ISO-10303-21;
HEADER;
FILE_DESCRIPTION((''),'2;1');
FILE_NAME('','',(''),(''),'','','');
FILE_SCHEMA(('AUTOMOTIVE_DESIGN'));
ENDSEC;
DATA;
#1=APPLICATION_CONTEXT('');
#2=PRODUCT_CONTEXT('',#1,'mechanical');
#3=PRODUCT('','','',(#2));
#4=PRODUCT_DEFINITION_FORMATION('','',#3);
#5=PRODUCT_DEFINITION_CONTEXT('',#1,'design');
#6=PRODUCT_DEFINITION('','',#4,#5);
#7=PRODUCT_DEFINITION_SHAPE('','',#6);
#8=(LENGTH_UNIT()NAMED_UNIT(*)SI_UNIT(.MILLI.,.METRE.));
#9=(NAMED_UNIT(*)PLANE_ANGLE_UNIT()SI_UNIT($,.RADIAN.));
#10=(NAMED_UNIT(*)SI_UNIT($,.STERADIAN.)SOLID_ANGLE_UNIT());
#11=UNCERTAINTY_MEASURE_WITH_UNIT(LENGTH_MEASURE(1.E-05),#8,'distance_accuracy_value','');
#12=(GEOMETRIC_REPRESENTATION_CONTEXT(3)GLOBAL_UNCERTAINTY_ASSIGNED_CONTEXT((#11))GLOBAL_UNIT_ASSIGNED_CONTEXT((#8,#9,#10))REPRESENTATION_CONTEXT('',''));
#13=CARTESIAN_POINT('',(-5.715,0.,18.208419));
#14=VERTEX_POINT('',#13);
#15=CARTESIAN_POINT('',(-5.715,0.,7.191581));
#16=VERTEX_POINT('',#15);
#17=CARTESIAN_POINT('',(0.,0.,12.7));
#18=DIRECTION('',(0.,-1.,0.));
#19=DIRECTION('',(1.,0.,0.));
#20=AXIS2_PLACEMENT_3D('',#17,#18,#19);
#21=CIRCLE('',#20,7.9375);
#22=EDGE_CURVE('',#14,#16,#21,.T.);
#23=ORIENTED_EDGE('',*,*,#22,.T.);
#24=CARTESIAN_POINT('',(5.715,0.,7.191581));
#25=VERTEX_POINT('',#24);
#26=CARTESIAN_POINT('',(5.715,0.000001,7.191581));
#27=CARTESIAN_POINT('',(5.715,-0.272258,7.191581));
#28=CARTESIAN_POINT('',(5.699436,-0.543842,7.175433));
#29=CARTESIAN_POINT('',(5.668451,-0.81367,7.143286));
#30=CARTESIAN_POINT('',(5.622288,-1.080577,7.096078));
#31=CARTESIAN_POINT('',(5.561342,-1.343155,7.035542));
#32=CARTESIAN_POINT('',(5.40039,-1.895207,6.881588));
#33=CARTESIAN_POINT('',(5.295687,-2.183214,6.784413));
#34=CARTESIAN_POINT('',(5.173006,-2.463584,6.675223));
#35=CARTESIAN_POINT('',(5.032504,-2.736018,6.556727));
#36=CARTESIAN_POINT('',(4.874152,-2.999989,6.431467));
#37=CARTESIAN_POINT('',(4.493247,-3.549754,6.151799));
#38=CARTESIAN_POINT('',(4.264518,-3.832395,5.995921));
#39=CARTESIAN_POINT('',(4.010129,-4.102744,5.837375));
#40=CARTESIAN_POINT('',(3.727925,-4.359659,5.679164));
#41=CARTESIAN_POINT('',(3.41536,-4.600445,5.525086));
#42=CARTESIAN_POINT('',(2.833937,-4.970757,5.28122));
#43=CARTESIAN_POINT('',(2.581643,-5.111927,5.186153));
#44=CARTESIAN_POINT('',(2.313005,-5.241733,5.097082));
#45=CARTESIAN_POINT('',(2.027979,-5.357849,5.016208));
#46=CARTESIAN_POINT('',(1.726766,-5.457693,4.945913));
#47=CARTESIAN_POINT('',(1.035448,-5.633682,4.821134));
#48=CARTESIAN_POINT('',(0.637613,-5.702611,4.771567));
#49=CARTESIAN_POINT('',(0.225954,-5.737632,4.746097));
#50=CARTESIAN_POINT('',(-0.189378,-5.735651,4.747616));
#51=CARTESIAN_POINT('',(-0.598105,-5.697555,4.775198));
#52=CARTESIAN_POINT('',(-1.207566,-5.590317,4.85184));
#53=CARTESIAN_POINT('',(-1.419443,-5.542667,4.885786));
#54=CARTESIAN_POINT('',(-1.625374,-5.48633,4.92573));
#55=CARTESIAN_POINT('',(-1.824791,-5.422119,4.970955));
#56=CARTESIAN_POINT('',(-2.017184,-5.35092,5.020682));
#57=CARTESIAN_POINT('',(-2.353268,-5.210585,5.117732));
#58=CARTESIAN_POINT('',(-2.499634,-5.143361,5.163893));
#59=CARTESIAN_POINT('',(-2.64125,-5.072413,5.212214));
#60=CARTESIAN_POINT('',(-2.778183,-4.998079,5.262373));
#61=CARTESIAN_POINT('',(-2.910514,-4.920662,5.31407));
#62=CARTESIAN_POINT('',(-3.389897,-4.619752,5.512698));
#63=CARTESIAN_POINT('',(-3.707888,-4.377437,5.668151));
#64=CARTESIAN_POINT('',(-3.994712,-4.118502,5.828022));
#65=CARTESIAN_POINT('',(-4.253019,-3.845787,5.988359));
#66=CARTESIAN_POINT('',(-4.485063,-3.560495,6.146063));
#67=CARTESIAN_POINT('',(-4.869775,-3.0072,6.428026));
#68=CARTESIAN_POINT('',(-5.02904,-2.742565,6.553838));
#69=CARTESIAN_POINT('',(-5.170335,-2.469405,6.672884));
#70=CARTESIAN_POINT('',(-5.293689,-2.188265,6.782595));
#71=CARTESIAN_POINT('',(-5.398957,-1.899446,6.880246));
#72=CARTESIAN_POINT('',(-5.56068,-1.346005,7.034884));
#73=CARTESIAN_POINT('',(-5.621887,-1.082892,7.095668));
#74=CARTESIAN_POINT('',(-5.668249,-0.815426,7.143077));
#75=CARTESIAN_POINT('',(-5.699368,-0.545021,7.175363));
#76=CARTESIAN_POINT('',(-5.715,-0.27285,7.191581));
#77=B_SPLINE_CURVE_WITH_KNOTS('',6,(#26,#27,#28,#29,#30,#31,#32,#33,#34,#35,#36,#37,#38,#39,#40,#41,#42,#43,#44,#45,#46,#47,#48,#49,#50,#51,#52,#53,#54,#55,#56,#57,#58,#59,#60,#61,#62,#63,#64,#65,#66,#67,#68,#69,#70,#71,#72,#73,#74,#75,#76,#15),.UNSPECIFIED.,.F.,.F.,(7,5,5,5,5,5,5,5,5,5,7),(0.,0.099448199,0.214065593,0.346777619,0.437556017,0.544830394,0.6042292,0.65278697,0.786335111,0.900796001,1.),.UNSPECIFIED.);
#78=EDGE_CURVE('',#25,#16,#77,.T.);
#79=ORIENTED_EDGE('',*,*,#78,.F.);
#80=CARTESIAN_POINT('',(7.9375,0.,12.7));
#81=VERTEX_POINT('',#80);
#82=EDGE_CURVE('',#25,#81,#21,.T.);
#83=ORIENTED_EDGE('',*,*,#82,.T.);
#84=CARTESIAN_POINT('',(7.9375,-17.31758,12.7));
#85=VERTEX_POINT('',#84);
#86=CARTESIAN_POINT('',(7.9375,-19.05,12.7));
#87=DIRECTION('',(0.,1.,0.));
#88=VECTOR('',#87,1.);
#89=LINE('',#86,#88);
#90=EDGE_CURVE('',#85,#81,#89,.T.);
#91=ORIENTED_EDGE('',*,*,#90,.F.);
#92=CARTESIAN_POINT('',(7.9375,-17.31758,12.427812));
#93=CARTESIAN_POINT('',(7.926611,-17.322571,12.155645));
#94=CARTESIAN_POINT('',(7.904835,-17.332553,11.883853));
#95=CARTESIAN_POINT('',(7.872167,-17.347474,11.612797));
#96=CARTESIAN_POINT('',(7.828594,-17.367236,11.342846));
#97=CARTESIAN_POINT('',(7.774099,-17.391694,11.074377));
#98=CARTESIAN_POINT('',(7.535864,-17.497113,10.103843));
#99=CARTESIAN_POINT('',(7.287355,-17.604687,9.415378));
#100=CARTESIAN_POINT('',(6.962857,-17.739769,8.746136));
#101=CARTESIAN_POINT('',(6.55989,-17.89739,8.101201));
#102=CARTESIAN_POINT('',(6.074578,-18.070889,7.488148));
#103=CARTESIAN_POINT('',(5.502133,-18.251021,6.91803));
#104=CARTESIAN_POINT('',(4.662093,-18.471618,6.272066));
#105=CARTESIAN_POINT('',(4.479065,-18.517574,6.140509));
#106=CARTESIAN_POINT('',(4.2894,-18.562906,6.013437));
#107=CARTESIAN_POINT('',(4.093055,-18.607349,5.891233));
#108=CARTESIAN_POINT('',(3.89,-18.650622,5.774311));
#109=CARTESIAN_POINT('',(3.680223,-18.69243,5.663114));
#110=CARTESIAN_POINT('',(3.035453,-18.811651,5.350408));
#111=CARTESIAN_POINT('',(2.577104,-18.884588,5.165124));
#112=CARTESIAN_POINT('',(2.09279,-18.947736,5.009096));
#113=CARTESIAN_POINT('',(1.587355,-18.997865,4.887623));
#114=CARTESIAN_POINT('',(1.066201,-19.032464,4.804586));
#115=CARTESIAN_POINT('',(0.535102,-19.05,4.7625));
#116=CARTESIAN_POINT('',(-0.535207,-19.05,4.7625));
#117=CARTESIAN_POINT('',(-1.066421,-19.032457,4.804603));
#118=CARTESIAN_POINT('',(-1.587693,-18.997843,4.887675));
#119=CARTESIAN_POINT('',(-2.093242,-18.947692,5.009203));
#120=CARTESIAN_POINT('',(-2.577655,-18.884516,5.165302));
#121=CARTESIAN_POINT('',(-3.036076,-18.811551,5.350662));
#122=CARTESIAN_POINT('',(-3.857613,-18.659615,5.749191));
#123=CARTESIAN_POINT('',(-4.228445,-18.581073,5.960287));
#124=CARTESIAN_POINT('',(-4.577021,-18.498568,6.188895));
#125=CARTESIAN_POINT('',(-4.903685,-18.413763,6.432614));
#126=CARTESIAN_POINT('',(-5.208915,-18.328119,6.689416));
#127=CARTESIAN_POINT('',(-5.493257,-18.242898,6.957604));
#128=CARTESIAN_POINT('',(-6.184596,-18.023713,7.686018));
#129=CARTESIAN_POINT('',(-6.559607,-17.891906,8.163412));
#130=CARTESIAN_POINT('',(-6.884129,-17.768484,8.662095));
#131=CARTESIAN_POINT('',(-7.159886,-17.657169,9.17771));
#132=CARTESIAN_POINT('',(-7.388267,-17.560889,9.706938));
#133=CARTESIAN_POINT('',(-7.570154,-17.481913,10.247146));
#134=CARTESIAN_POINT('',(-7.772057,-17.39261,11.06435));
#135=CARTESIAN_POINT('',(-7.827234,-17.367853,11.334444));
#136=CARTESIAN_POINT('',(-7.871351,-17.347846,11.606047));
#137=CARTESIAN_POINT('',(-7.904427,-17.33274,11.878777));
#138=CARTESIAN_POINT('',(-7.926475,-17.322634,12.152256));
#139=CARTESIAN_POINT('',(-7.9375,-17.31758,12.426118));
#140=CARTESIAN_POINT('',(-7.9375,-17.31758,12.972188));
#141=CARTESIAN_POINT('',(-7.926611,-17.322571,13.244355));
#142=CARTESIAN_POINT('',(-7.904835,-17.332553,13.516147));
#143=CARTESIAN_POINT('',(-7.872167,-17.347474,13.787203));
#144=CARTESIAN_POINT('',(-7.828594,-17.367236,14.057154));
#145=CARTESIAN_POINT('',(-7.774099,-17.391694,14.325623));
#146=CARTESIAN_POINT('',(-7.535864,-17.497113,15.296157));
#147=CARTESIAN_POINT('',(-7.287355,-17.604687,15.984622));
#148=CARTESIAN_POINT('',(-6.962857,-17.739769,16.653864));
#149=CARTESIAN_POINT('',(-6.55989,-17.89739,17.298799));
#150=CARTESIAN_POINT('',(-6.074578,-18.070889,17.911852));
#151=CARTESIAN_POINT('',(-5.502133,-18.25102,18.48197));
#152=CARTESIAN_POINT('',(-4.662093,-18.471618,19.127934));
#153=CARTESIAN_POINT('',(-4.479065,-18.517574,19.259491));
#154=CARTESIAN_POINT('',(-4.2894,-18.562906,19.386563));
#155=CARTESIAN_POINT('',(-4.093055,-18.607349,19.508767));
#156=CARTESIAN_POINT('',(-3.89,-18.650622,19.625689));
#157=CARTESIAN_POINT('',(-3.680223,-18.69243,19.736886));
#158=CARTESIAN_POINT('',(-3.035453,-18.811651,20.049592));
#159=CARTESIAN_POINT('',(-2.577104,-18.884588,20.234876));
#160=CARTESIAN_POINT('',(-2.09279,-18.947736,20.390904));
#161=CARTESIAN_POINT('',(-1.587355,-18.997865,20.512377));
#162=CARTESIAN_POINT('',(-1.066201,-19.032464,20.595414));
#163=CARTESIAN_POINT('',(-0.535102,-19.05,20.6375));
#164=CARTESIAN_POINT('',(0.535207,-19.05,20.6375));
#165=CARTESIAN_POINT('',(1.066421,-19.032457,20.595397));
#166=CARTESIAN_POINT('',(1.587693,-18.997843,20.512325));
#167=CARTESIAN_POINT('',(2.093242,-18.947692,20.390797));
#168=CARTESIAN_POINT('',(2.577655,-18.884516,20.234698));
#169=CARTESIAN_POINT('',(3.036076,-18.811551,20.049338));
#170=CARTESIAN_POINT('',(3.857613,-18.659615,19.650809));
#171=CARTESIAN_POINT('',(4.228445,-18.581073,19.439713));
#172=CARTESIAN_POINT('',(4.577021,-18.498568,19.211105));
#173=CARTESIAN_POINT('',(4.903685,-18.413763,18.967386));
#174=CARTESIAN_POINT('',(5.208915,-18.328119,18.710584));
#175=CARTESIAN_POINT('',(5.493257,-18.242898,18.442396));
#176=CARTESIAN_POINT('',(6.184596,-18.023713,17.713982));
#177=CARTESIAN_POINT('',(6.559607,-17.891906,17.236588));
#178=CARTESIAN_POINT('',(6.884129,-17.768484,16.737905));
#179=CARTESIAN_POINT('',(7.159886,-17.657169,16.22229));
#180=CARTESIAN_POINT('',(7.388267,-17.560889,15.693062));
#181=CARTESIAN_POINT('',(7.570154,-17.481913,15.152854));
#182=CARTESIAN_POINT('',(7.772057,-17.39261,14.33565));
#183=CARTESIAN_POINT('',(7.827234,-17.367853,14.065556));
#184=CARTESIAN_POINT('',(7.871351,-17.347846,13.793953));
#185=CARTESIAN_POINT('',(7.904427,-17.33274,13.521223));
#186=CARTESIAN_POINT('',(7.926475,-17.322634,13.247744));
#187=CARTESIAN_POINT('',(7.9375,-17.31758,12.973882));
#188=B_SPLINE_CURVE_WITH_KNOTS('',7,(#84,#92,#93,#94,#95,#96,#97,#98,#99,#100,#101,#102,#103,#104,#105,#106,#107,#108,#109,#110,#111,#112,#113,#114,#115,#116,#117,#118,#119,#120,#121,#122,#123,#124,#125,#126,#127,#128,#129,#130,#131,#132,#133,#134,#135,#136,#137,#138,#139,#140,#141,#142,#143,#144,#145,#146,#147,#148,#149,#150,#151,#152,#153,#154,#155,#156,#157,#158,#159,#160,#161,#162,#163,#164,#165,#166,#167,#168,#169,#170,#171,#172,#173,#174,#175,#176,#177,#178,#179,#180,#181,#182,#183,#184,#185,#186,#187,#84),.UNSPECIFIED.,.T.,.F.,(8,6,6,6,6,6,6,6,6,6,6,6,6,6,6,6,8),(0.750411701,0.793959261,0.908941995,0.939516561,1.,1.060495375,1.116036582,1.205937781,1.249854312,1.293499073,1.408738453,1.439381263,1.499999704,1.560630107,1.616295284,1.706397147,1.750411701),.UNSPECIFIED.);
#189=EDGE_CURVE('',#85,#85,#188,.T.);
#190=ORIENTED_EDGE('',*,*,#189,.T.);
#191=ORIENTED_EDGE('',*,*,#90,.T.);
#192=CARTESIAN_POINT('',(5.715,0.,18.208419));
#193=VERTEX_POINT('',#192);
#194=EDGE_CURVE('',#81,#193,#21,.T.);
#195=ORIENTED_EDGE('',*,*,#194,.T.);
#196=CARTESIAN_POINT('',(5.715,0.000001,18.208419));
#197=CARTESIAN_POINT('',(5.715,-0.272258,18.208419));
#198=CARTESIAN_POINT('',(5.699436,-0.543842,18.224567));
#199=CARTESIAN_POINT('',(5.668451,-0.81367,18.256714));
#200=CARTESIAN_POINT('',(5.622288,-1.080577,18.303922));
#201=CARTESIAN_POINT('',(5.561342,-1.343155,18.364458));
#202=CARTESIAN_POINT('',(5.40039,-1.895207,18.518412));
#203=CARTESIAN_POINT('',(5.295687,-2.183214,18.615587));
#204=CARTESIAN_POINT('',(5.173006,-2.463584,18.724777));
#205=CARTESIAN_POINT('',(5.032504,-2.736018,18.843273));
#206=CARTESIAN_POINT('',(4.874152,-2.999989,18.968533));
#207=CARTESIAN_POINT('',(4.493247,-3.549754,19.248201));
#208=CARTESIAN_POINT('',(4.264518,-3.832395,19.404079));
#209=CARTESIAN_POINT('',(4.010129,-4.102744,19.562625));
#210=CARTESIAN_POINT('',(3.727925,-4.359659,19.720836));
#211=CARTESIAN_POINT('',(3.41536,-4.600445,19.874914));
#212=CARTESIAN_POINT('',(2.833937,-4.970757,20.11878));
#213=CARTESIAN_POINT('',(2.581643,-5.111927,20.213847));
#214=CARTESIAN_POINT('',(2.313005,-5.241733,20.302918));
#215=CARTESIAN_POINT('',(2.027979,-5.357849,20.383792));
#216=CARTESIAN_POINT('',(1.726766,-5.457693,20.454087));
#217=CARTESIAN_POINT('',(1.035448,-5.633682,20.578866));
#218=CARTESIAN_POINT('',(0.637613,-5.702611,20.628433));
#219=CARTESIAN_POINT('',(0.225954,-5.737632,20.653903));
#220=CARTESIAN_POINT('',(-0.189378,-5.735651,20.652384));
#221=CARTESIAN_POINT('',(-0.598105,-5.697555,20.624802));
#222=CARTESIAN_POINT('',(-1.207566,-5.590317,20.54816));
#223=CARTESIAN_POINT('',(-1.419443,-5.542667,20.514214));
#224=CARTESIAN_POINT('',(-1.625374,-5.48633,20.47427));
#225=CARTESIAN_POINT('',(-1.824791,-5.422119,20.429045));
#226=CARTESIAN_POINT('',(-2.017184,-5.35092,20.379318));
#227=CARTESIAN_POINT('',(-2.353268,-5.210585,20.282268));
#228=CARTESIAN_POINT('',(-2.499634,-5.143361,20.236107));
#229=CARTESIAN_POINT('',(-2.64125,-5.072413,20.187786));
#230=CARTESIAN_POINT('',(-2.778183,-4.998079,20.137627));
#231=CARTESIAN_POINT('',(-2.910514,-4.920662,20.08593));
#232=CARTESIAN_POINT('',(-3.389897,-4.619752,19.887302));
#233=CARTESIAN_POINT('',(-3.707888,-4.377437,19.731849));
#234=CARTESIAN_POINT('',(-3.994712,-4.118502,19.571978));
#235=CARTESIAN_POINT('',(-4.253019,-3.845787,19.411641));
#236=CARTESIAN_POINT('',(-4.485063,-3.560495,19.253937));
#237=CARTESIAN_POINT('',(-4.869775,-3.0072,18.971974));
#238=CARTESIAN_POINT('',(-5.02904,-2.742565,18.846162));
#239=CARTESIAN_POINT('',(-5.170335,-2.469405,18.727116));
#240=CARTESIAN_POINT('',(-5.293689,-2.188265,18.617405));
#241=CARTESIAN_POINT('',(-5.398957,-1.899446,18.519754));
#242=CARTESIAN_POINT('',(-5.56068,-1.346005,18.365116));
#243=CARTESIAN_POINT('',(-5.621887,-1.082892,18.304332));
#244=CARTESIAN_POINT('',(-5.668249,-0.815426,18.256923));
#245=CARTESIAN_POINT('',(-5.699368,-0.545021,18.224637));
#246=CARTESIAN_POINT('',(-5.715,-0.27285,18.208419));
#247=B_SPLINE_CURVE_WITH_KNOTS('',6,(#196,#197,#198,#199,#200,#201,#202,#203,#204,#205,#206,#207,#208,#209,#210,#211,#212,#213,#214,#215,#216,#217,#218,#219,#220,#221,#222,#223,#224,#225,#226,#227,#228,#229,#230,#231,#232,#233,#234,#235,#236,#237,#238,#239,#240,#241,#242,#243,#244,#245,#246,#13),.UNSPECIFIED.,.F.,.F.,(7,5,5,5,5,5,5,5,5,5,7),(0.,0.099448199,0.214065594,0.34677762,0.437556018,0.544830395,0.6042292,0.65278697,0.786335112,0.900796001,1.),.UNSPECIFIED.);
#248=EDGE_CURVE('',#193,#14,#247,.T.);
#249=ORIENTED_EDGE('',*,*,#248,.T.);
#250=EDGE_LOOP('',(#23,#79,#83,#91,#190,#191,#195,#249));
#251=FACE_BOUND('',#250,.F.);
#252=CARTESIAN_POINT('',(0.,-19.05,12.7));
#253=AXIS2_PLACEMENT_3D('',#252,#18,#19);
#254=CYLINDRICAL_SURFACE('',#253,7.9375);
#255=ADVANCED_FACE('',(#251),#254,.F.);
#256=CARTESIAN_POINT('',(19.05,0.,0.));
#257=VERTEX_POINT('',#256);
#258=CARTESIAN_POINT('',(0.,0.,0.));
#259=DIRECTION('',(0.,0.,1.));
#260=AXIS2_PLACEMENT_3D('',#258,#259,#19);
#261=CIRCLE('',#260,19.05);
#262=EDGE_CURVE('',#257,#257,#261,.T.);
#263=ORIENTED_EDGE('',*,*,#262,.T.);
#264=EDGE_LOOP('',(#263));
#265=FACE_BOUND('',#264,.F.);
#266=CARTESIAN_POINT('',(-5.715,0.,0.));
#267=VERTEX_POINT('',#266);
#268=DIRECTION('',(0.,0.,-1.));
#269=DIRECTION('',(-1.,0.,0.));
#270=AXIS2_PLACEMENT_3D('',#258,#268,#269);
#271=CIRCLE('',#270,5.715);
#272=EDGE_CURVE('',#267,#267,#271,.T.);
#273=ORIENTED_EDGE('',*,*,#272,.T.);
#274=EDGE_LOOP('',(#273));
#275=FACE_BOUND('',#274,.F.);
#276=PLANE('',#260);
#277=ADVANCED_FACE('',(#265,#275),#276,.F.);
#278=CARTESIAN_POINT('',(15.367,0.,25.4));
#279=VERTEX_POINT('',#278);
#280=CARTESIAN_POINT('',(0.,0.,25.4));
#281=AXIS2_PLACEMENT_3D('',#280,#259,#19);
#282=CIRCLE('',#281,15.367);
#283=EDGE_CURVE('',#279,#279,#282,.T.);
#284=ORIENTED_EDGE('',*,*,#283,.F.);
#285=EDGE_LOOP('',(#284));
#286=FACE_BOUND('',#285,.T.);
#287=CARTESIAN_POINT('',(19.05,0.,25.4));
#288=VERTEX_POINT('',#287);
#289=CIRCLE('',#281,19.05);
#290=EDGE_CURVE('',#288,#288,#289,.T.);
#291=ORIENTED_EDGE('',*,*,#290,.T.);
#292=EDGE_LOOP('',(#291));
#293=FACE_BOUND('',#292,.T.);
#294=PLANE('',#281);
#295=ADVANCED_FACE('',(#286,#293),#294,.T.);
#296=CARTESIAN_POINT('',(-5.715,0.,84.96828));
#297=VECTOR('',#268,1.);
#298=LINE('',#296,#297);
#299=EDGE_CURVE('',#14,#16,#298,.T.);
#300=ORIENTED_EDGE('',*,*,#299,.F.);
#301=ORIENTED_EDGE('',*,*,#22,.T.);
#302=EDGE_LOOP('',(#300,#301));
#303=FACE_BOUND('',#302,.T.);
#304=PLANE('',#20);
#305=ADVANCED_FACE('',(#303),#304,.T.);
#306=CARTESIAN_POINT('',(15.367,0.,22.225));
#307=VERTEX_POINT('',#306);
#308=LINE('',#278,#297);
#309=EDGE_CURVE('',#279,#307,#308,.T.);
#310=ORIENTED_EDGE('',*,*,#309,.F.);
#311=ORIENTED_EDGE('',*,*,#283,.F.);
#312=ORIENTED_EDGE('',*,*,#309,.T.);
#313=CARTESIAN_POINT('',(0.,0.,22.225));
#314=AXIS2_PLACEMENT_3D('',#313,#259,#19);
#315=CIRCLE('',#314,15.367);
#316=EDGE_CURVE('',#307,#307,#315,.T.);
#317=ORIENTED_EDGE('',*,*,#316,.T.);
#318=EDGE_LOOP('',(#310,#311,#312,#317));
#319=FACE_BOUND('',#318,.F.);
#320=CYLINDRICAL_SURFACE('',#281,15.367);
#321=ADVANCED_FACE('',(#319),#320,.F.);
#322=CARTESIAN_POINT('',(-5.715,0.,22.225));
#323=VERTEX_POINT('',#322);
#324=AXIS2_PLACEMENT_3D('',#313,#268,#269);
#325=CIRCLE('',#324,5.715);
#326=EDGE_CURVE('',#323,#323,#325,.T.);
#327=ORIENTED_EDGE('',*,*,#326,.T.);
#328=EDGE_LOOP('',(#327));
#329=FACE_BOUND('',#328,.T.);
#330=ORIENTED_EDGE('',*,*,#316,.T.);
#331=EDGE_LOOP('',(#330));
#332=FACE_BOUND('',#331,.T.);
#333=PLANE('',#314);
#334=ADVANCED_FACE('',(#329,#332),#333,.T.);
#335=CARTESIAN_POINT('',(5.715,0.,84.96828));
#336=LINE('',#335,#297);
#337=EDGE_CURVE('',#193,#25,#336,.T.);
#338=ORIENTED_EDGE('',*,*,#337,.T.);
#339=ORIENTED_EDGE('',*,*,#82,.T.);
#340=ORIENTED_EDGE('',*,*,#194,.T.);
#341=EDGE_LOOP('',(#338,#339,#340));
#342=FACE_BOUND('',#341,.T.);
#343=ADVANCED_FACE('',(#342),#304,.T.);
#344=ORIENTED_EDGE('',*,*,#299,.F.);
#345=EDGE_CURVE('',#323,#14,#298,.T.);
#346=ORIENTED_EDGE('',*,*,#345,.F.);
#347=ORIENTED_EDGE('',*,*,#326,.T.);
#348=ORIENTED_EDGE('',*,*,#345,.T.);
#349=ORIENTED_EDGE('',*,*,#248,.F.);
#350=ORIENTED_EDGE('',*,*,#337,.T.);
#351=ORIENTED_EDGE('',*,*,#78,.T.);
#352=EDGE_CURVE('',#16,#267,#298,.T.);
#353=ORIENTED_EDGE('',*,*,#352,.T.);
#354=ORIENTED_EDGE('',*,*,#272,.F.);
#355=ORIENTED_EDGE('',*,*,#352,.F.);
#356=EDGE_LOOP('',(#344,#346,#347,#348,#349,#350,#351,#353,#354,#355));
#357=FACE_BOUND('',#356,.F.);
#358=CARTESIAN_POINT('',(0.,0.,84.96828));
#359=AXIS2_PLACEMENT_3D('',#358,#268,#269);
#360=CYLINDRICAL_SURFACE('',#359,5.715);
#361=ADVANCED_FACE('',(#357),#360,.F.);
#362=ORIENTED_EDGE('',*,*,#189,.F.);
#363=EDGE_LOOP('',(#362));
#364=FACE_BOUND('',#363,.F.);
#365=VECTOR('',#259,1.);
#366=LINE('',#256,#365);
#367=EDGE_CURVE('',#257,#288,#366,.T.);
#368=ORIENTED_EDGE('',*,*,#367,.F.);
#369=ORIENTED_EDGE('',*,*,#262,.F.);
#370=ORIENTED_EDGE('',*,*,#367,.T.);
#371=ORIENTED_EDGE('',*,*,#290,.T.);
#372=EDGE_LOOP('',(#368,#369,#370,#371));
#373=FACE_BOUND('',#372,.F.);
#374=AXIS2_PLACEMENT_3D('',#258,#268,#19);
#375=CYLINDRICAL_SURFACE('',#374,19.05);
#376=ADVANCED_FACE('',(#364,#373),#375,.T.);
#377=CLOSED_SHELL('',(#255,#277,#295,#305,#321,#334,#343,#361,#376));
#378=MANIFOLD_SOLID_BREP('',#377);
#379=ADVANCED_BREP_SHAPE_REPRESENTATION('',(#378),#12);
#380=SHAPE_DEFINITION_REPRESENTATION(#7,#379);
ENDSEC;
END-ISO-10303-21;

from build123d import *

# Parameters (mm, degrees)
F0_R     = 19.05
F1_DEPTH = 25.4
F3_D     = 11.43
F4_R     = 15.367
F5_DEPTH = 3.175
F7_R     = 7.9375
F8_DEPTH = 19.05


with BuildPart() as f1:
    # F0 (on Top) → F1 (new body)
    with BuildSketch(Plane.XY):
        Circle(F0_R)
    extrude(amount=F1_DEPTH)

    # F3 (through all)
    with Locations(Plane.XY.offset(25.4)):
        with Locations((0, 0)):
            Hole(F3_D / 2)

    # F4 (on face) → F5 (cut)
    with BuildSketch(Plane.XY.offset(25.4)):
        Circle(F4_R)
    extrude(amount=-F5_DEPTH, mode=Mode.SUBTRACT)

    # F7 (on offset) → F8 (cut)
    with BuildSketch(Plane.XZ.offset(19.05)):
        with Locations((0, 12.7)):
            Circle(F7_R)
    extrude(amount=-F8_DEPTH, mode=Mode.SUBTRACT)


solid = f1.part
